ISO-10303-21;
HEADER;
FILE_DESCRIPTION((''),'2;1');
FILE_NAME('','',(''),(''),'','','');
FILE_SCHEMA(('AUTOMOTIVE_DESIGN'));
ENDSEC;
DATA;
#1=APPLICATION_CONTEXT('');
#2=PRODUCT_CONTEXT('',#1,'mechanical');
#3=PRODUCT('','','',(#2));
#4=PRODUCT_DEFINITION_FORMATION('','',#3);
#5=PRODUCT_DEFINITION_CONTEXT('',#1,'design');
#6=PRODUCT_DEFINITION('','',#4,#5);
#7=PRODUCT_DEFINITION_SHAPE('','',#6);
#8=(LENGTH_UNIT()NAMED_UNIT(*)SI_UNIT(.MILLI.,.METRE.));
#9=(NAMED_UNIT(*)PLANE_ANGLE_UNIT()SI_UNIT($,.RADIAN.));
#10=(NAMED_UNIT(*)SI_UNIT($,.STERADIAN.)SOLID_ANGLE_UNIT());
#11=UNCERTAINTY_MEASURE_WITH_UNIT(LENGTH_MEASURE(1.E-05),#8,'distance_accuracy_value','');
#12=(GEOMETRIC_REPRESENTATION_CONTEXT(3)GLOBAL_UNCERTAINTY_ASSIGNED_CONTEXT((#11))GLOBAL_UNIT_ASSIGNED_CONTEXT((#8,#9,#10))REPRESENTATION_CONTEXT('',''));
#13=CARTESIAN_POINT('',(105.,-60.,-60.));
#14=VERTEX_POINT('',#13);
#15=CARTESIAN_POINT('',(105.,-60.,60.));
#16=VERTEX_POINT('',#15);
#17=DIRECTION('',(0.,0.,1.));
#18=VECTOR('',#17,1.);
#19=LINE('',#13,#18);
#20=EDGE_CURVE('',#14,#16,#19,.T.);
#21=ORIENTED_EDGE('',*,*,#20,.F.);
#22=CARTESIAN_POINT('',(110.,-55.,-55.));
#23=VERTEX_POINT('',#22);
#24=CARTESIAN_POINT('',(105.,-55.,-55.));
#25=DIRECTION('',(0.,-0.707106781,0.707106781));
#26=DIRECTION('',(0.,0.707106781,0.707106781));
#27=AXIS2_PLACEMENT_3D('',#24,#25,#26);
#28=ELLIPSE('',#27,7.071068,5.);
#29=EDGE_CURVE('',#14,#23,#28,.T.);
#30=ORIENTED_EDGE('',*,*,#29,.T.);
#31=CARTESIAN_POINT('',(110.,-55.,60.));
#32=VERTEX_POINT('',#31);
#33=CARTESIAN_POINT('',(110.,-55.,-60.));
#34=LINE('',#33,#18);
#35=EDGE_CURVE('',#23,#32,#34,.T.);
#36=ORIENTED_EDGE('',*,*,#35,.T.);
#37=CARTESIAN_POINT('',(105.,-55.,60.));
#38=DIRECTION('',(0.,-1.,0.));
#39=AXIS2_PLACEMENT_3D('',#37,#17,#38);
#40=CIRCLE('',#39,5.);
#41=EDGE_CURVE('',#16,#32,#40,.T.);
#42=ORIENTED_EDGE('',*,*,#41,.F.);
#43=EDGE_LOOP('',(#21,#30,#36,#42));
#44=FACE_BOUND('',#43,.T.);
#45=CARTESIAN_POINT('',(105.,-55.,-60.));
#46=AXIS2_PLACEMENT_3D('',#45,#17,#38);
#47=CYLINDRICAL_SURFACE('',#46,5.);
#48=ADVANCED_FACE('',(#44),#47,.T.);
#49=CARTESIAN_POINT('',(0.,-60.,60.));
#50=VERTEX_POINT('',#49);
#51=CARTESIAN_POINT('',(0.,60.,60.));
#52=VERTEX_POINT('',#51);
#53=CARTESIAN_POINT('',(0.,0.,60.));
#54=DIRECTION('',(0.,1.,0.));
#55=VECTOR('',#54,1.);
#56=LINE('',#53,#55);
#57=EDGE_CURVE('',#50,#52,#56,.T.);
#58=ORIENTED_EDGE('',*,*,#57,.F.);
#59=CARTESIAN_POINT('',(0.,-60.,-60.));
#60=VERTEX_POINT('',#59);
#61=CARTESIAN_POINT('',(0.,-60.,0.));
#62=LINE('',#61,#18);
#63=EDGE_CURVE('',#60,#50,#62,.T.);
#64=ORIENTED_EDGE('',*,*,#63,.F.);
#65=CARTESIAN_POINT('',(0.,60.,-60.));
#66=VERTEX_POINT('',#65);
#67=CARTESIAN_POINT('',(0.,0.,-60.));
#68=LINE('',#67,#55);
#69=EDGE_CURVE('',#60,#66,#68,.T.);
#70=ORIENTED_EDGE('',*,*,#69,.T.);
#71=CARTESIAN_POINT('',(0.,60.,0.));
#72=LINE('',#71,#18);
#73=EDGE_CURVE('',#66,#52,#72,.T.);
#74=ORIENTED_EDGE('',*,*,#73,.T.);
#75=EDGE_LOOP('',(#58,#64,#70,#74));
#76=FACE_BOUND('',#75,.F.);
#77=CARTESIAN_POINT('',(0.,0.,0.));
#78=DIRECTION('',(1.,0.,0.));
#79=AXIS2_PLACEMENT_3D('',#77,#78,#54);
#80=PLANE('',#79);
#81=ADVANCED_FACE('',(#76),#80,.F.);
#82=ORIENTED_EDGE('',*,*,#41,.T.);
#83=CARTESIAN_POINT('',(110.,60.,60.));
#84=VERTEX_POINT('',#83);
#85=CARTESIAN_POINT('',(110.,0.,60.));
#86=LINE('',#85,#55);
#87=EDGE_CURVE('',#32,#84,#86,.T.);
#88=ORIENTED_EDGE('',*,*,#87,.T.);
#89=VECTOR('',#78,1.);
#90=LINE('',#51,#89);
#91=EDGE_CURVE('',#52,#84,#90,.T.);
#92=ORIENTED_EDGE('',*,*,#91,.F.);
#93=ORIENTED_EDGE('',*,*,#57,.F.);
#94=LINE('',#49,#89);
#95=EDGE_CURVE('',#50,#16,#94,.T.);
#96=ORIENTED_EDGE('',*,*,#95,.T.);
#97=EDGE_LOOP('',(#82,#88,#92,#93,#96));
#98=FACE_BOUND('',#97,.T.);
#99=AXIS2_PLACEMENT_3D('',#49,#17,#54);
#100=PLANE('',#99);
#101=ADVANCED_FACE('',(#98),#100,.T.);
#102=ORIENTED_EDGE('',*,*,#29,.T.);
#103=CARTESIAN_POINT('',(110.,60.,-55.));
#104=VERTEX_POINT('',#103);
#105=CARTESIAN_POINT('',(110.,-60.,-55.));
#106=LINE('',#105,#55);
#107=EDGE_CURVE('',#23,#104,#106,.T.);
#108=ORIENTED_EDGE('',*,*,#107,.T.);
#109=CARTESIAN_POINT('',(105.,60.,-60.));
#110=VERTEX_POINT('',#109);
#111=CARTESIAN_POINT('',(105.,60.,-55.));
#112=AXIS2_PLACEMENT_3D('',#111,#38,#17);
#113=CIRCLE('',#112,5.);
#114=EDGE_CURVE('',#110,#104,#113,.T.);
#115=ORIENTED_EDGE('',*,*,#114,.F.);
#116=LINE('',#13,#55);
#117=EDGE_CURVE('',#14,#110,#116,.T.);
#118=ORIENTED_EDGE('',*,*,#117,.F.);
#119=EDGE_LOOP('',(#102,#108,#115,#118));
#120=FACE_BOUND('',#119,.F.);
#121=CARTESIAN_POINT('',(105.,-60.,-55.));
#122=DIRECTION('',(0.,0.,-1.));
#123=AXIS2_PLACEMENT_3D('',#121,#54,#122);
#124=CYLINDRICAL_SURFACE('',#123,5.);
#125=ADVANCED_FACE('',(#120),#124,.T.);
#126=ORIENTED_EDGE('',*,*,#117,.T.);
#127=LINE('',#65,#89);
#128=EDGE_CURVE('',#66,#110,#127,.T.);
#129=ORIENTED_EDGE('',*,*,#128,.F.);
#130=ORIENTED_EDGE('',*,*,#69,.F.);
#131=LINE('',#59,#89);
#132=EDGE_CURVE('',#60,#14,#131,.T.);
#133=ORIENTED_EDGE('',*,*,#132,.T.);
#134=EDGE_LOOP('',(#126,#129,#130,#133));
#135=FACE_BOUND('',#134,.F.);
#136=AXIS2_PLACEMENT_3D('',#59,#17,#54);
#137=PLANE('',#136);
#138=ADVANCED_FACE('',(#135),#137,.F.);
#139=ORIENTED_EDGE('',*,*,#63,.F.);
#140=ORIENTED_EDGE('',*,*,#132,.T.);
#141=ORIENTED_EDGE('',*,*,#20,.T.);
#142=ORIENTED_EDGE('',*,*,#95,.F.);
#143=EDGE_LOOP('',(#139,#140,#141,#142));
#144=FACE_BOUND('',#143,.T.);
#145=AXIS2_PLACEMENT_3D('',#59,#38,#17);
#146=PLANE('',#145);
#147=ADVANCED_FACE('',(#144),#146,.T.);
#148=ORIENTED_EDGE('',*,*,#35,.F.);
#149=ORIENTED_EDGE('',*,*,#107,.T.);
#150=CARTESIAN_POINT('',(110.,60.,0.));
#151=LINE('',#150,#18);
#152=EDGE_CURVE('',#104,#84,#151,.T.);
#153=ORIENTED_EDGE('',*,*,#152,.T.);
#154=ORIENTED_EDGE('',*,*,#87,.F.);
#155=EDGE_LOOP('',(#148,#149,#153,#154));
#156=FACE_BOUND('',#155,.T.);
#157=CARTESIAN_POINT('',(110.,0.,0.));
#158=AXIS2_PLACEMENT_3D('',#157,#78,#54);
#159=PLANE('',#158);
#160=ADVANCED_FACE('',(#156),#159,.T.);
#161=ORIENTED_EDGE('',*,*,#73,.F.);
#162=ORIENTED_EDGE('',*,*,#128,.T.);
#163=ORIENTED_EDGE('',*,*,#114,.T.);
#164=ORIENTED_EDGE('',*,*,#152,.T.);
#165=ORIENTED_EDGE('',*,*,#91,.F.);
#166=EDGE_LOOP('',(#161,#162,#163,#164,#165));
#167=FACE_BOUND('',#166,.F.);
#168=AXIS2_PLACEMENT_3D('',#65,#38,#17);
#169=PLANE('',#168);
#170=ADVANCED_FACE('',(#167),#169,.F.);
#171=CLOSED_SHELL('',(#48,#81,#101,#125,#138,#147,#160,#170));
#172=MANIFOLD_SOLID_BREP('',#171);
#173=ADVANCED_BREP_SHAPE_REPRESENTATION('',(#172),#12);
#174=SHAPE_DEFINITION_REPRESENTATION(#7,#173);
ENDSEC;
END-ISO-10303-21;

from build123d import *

# Parameters (mm, degrees)
F0_W     = 120
F0_H     = 120
F1_DEPTH = 110
F2_R     = 5


with BuildPart() as f1:
    # F0 (on Right) → F1 (new body)
    with BuildSketch(Plane.YZ):
        Rectangle(F0_W, F0_H)
    extrude(amount=F1_DEPTH)

    # F2
    f2_edges = [f1.edges().sort_by_distance(p)[0] for p in [
        (110, -60, 0),
        (110, 0, -60),
    ]]
    fillet(f2_edges, radius=F2_R)


solid = f1.part
